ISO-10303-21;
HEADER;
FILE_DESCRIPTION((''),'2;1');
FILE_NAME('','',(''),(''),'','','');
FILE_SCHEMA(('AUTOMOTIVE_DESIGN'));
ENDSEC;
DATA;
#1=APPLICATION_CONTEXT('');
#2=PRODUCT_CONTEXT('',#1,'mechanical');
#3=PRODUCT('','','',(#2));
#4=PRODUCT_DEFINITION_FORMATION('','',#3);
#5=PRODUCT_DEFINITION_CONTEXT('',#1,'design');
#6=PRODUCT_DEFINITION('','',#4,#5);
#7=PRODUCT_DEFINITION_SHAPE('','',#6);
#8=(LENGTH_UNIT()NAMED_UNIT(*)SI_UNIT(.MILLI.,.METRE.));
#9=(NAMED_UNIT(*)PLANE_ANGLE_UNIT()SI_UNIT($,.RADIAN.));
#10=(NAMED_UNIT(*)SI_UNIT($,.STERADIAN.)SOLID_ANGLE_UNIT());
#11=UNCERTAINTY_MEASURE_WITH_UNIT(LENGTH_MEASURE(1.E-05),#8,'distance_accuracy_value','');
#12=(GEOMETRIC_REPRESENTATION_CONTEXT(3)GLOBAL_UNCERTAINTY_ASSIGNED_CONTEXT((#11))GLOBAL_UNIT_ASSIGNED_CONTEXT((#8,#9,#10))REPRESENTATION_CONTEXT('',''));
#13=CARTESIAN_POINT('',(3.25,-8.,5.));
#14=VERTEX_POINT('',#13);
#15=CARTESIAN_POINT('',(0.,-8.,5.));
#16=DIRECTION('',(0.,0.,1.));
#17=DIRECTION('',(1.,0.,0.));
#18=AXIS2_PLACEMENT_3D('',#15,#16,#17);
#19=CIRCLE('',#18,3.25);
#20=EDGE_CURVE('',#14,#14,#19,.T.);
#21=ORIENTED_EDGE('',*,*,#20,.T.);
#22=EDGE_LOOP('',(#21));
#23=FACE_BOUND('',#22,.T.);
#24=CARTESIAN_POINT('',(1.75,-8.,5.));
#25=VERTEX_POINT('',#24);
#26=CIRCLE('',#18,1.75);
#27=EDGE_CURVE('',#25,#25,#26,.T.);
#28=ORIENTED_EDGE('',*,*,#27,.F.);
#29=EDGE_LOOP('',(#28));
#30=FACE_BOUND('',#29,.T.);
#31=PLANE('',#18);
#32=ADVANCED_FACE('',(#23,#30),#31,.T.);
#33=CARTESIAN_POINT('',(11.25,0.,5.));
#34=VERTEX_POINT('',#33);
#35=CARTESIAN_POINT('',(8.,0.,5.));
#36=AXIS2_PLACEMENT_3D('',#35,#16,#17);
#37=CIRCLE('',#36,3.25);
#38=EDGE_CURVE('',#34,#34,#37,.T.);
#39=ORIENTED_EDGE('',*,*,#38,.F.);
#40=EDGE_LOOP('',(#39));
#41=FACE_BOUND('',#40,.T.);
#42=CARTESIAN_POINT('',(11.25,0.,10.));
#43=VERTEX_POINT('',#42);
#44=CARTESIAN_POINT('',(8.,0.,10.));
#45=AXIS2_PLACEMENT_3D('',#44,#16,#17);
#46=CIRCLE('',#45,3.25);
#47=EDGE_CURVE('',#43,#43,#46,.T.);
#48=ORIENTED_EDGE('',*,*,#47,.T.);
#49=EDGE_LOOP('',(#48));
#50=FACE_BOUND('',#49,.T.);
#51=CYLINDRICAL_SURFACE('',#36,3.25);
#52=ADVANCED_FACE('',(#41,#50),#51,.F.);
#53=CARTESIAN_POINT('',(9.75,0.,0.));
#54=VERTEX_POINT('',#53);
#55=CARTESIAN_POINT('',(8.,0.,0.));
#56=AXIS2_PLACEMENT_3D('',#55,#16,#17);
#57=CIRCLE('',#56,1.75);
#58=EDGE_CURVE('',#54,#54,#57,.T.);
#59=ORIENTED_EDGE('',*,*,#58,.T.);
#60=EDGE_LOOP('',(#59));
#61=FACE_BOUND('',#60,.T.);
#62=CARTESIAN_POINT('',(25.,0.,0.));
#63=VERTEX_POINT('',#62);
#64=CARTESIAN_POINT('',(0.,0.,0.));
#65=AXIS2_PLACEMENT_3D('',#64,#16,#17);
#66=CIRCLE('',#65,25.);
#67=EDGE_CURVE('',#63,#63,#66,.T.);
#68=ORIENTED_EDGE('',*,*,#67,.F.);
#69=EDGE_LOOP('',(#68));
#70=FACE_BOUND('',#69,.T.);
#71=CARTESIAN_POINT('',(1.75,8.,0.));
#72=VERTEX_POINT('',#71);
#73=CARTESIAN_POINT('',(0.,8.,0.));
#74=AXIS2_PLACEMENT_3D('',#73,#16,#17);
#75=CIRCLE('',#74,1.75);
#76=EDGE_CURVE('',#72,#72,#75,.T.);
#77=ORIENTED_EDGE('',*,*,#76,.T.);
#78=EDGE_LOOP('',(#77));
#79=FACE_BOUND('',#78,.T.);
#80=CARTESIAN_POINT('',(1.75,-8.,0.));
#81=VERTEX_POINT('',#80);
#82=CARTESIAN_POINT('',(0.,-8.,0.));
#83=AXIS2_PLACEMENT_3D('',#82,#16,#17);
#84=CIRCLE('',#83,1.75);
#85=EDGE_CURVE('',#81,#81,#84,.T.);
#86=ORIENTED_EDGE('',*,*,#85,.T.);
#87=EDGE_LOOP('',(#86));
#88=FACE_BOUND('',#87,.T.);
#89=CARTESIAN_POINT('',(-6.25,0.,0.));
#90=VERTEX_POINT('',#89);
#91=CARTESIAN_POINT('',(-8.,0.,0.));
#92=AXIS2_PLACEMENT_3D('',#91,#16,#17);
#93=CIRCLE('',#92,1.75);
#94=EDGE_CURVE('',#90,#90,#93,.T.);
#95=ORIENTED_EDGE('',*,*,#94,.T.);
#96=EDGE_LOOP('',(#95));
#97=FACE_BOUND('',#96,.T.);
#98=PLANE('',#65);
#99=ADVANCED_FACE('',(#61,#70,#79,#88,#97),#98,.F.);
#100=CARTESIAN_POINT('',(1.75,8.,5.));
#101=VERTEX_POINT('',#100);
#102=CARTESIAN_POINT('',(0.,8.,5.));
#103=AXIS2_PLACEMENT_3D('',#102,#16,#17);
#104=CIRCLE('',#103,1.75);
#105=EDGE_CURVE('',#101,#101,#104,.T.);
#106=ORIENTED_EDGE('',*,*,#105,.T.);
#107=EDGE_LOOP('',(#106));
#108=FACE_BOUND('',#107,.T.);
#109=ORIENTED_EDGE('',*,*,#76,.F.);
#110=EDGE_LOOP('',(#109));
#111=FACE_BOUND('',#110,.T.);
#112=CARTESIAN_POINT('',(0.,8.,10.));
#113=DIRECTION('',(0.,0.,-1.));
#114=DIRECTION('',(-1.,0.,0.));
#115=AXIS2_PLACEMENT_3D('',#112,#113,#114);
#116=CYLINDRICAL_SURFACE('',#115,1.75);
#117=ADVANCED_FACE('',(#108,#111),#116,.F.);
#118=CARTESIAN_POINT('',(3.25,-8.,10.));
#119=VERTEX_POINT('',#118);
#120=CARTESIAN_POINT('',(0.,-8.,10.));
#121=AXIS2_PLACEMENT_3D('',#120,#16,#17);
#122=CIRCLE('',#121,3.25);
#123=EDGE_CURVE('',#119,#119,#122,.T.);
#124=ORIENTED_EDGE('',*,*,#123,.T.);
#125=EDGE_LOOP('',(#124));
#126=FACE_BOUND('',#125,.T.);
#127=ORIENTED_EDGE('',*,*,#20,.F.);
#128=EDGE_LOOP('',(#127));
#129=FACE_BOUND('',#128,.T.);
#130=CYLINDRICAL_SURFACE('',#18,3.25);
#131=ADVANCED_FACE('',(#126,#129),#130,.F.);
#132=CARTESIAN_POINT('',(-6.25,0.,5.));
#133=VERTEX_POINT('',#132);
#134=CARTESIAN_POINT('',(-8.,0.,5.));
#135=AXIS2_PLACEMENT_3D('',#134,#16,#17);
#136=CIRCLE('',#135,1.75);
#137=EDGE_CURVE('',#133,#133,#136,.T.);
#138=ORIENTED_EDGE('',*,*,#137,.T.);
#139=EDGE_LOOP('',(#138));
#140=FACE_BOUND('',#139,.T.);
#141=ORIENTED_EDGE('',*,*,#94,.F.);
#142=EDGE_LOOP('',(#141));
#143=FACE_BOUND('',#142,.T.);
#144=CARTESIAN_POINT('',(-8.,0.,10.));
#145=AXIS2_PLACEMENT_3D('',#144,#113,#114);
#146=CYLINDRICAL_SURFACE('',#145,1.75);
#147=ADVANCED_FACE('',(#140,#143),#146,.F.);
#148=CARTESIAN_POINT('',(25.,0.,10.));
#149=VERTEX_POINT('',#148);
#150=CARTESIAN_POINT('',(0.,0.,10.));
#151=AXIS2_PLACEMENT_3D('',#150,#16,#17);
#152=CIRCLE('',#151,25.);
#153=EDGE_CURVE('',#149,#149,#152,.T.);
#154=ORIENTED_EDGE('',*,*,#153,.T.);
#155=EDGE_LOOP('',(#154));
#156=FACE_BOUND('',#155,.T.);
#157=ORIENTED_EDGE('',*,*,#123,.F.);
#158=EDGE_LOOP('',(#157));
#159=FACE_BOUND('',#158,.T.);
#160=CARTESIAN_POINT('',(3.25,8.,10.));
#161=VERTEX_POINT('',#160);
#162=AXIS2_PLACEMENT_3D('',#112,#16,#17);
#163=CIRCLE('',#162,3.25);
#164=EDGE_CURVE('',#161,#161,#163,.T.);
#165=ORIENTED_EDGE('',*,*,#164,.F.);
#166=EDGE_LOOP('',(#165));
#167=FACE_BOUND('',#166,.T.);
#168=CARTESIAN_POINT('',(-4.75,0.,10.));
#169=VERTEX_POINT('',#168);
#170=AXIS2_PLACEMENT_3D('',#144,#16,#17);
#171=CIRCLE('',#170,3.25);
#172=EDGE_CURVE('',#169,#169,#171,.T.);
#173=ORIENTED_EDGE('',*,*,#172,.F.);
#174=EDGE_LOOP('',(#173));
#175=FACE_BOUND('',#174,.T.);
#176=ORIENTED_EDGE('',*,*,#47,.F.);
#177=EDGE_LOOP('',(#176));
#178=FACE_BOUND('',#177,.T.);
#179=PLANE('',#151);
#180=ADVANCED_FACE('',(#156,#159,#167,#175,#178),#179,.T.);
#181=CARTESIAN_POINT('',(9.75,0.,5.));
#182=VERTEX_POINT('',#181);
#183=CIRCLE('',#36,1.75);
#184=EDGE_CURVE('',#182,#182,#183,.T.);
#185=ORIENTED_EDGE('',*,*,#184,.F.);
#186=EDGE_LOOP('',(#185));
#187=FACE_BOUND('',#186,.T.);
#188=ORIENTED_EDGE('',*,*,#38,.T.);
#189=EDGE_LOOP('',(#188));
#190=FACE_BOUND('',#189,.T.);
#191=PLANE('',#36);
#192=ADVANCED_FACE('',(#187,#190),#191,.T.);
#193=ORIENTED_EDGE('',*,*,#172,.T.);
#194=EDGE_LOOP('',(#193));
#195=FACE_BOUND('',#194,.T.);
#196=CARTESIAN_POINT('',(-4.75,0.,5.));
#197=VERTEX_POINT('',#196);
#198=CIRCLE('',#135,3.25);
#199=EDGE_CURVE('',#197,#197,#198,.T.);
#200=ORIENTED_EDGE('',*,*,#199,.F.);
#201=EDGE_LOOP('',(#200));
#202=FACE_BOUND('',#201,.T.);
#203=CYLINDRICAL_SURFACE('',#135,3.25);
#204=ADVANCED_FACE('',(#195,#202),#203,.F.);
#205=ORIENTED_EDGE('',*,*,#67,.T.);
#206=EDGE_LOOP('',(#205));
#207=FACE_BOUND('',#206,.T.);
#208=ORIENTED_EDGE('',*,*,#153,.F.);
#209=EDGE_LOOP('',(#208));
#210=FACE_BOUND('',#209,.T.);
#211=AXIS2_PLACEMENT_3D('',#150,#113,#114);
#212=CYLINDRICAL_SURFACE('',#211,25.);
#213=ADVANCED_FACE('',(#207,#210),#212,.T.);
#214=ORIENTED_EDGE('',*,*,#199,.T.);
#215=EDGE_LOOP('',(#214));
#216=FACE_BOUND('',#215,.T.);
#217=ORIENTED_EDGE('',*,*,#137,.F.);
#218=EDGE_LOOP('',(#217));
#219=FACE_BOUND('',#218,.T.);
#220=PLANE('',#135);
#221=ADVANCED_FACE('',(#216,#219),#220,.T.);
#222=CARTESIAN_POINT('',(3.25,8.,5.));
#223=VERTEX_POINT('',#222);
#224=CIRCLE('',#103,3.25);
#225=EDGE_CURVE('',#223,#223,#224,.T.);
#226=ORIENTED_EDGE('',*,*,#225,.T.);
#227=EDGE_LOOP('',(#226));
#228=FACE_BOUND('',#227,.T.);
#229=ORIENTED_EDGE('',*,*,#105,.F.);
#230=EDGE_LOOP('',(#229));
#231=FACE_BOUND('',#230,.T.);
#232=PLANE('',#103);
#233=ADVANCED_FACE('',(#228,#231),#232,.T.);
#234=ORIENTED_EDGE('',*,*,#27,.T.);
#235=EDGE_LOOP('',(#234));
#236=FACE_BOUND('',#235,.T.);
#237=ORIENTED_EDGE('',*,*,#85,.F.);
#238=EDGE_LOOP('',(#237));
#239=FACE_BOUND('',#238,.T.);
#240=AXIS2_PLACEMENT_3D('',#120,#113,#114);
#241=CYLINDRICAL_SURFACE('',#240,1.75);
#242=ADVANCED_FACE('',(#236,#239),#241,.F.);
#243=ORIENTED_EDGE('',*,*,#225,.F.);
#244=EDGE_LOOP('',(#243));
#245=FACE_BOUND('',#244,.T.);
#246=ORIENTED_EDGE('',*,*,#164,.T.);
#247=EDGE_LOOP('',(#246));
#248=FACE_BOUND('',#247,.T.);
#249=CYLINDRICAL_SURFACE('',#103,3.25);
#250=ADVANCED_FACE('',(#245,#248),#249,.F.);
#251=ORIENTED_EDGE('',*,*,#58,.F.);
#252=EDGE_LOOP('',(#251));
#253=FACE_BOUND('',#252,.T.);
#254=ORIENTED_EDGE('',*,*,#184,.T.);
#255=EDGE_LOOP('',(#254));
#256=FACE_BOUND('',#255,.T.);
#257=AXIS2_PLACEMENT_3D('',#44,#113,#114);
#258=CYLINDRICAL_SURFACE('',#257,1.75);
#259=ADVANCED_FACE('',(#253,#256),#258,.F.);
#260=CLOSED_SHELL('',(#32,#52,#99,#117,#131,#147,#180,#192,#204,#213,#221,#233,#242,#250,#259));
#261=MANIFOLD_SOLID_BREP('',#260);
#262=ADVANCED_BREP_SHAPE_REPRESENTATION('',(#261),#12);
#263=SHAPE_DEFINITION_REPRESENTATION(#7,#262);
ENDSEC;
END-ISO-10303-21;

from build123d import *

# Parameters (mm, degrees)
SKETCH_1_R          = 25
SKETCH_1_R_2        = 1.75
EXTRUDE_1_DEPTH     = 10
SKETCH_2_R          = 3.25
CUT_EXTRUDE_1_DEPTH = 5


with BuildPart() as part:
    # ｽｹｯﾁ1 → ﾎﾞｽ - 押し出し1 (new body)
    with BuildSketch(Plane.XY):
        Circle(SKETCH_1_R)
        with Locations((8, 0)):
            Circle(SKETCH_1_R_2, mode=Mode.SUBTRACT)
        with Locations((0, -8)):
            Circle(SKETCH_1_R_2, mode=Mode.SUBTRACT)
        with Locations((-8, 0)):
            Circle(SKETCH_1_R_2, mode=Mode.SUBTRACT)
        with Locations((0, 8)):
            Circle(SKETCH_1_R_2, mode=Mode.SUBTRACT)
    extrude(amount=EXTRUDE_1_DEPTH)

    # ｽｹｯﾁ2 → ｶｯﾄ - 押し出し1 (cut)
    with BuildSketch(Plane.XY.offset(10)):
        with Locations((0, 8)):
            Circle(SKETCH_2_R)
        with Locations((8, 0)):
            Circle(SKETCH_2_R)
        with Locations((0, -8)):
            Circle(SKETCH_2_R)
        with Locations((-8, 0)):
            Circle(SKETCH_2_R)
    extrude(amount=-CUT_EXTRUDE_1_DEPTH, mode=Mode.SUBTRACT)


solid = part.part
